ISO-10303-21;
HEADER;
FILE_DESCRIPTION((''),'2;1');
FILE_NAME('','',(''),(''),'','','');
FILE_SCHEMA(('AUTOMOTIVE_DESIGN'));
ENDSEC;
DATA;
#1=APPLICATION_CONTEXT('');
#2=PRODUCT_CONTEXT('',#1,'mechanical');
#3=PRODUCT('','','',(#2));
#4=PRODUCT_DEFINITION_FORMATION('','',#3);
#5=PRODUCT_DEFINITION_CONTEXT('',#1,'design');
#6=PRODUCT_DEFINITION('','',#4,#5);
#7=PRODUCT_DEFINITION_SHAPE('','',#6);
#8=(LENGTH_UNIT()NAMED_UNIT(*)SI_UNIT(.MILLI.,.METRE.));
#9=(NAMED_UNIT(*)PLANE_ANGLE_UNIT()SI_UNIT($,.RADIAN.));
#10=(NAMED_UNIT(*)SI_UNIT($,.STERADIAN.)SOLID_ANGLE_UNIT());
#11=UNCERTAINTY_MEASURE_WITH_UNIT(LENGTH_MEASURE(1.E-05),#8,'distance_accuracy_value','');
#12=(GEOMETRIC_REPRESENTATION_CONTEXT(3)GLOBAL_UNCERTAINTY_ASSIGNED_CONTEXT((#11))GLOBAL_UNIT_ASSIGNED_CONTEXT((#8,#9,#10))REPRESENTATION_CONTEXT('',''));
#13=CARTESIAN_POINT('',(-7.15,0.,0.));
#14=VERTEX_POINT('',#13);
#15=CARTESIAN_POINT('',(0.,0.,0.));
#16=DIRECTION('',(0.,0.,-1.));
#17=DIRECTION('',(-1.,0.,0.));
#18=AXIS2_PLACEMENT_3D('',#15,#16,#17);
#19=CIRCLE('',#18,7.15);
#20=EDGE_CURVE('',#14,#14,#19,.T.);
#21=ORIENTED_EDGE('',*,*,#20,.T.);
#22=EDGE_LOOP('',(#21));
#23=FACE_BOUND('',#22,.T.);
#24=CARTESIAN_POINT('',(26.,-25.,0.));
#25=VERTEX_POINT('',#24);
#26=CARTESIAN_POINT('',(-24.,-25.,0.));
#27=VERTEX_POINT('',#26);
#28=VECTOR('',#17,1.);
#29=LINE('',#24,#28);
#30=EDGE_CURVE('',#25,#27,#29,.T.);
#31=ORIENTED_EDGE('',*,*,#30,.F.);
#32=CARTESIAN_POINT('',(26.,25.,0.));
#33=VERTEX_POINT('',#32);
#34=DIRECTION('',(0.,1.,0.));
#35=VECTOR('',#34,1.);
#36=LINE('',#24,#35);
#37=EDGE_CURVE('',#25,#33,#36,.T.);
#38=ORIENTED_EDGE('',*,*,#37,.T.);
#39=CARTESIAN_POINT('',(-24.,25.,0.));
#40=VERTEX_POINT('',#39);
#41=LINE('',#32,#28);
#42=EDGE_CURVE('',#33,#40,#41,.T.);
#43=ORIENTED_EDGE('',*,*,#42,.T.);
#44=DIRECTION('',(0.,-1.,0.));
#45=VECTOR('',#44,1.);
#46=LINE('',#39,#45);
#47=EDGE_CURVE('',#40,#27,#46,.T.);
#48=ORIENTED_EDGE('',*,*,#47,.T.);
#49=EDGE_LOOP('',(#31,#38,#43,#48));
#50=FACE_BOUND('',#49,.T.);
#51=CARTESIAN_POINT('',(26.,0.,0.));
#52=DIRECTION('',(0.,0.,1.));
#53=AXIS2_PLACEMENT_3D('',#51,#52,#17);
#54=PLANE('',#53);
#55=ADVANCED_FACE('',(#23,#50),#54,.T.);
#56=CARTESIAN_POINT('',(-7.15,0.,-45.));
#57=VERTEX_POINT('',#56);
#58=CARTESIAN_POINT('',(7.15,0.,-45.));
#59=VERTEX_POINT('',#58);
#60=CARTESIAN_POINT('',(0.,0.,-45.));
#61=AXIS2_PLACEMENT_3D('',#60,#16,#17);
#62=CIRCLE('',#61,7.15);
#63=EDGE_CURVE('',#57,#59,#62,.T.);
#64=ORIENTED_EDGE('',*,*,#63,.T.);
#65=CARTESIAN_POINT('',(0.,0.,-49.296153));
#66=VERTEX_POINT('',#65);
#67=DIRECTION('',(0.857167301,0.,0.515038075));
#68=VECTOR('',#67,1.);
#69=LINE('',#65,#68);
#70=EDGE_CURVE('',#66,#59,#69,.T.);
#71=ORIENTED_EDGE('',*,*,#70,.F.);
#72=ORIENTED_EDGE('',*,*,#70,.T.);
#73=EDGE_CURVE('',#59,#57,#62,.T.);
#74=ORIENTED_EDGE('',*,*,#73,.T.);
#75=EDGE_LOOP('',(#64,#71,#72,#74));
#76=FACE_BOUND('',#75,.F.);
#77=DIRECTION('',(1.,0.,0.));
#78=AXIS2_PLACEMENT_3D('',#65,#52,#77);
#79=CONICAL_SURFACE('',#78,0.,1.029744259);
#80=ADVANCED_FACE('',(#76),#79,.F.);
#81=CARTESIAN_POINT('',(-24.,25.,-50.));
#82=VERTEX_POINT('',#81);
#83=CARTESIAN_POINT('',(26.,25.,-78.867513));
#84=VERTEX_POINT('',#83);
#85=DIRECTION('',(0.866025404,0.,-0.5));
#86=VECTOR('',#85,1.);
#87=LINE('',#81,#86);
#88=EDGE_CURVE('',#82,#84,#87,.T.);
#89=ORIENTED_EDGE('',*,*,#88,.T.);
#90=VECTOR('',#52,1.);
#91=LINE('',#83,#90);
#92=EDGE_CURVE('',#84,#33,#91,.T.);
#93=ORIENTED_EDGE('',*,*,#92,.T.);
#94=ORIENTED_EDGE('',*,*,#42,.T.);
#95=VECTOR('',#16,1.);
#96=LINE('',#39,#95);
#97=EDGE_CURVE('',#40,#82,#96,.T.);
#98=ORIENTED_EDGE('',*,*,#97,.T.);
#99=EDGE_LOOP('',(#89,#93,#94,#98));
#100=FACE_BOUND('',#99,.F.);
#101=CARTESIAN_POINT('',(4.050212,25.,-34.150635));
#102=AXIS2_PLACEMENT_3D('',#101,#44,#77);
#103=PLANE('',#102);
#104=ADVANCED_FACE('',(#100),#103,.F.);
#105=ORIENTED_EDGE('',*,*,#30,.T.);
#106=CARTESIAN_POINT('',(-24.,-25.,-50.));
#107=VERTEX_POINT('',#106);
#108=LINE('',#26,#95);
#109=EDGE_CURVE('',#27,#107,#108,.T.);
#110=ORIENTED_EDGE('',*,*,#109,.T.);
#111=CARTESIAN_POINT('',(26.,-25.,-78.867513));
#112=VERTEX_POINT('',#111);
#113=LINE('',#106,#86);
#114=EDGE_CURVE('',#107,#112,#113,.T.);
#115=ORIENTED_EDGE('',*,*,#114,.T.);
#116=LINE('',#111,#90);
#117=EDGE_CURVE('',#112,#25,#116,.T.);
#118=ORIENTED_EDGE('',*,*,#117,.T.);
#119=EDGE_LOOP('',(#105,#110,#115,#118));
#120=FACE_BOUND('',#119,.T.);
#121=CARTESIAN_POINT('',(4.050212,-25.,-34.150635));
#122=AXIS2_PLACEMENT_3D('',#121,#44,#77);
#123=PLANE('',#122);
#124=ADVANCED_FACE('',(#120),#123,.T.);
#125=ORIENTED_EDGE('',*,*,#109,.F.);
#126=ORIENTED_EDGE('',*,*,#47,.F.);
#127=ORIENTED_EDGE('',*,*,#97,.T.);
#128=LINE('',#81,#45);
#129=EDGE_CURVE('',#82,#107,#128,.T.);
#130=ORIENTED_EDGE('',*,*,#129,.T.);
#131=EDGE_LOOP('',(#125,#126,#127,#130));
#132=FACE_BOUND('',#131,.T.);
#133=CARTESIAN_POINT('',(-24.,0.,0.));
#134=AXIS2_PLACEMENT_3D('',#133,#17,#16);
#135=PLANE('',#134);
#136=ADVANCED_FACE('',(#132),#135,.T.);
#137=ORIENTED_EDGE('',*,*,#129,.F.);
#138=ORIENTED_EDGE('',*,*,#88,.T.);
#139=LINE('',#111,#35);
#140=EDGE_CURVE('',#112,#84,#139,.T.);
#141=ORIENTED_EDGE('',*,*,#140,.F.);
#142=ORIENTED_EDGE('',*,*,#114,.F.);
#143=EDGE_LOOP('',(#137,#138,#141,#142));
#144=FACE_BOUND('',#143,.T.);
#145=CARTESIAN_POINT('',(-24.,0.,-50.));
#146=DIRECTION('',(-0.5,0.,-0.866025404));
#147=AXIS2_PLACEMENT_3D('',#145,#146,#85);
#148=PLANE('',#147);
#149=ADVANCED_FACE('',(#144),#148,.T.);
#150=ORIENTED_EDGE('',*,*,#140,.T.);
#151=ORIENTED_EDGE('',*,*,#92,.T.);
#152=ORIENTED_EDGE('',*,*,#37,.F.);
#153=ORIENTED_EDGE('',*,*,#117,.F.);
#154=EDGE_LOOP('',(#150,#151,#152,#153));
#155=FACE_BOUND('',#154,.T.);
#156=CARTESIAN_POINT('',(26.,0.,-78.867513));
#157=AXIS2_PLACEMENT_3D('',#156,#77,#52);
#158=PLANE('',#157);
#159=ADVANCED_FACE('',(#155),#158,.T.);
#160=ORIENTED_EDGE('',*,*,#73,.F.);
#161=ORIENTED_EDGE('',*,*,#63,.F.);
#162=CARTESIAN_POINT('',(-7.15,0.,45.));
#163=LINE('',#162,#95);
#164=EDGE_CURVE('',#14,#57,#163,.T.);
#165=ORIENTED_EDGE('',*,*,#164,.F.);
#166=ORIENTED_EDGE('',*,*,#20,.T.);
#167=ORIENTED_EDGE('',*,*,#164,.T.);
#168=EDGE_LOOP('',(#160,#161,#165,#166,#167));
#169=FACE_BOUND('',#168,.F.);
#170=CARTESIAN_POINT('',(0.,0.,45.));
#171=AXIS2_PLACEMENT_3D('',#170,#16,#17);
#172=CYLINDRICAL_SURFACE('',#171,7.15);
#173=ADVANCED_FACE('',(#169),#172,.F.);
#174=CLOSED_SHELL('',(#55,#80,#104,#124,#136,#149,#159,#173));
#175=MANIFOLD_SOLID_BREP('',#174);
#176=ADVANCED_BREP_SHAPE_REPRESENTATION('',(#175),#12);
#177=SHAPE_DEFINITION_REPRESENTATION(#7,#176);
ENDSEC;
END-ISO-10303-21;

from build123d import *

# Parameters (mm, degrees)
F1_DEPTH = 25
F3_D     = 14.3
F3_DEPTH = 45
F3_TIP   = 4.296153426


with BuildPart() as f1:
    # F0 (on Front) → F1 (new body, symmetric)
    with BuildSketch(Plane.XZ):
        Polygon((26, 0), (0, 0), (-24, 0), (-24, -50), (26, -78.8675134595), align=None)
    extrude(amount=F1_DEPTH, both=True)

    # F3
    with Locations(Plane.XY):
        with Locations((0, 0)):
            Hole(F3_D / 2, depth=F3_DEPTH)
            with Locations((0, 0, -(F3_DEPTH + F3_TIP / 2))):  # 118° drill point
                Cone(0, F3_D / 2, F3_TIP, mode=Mode.SUBTRACT)


solid = f1.part
